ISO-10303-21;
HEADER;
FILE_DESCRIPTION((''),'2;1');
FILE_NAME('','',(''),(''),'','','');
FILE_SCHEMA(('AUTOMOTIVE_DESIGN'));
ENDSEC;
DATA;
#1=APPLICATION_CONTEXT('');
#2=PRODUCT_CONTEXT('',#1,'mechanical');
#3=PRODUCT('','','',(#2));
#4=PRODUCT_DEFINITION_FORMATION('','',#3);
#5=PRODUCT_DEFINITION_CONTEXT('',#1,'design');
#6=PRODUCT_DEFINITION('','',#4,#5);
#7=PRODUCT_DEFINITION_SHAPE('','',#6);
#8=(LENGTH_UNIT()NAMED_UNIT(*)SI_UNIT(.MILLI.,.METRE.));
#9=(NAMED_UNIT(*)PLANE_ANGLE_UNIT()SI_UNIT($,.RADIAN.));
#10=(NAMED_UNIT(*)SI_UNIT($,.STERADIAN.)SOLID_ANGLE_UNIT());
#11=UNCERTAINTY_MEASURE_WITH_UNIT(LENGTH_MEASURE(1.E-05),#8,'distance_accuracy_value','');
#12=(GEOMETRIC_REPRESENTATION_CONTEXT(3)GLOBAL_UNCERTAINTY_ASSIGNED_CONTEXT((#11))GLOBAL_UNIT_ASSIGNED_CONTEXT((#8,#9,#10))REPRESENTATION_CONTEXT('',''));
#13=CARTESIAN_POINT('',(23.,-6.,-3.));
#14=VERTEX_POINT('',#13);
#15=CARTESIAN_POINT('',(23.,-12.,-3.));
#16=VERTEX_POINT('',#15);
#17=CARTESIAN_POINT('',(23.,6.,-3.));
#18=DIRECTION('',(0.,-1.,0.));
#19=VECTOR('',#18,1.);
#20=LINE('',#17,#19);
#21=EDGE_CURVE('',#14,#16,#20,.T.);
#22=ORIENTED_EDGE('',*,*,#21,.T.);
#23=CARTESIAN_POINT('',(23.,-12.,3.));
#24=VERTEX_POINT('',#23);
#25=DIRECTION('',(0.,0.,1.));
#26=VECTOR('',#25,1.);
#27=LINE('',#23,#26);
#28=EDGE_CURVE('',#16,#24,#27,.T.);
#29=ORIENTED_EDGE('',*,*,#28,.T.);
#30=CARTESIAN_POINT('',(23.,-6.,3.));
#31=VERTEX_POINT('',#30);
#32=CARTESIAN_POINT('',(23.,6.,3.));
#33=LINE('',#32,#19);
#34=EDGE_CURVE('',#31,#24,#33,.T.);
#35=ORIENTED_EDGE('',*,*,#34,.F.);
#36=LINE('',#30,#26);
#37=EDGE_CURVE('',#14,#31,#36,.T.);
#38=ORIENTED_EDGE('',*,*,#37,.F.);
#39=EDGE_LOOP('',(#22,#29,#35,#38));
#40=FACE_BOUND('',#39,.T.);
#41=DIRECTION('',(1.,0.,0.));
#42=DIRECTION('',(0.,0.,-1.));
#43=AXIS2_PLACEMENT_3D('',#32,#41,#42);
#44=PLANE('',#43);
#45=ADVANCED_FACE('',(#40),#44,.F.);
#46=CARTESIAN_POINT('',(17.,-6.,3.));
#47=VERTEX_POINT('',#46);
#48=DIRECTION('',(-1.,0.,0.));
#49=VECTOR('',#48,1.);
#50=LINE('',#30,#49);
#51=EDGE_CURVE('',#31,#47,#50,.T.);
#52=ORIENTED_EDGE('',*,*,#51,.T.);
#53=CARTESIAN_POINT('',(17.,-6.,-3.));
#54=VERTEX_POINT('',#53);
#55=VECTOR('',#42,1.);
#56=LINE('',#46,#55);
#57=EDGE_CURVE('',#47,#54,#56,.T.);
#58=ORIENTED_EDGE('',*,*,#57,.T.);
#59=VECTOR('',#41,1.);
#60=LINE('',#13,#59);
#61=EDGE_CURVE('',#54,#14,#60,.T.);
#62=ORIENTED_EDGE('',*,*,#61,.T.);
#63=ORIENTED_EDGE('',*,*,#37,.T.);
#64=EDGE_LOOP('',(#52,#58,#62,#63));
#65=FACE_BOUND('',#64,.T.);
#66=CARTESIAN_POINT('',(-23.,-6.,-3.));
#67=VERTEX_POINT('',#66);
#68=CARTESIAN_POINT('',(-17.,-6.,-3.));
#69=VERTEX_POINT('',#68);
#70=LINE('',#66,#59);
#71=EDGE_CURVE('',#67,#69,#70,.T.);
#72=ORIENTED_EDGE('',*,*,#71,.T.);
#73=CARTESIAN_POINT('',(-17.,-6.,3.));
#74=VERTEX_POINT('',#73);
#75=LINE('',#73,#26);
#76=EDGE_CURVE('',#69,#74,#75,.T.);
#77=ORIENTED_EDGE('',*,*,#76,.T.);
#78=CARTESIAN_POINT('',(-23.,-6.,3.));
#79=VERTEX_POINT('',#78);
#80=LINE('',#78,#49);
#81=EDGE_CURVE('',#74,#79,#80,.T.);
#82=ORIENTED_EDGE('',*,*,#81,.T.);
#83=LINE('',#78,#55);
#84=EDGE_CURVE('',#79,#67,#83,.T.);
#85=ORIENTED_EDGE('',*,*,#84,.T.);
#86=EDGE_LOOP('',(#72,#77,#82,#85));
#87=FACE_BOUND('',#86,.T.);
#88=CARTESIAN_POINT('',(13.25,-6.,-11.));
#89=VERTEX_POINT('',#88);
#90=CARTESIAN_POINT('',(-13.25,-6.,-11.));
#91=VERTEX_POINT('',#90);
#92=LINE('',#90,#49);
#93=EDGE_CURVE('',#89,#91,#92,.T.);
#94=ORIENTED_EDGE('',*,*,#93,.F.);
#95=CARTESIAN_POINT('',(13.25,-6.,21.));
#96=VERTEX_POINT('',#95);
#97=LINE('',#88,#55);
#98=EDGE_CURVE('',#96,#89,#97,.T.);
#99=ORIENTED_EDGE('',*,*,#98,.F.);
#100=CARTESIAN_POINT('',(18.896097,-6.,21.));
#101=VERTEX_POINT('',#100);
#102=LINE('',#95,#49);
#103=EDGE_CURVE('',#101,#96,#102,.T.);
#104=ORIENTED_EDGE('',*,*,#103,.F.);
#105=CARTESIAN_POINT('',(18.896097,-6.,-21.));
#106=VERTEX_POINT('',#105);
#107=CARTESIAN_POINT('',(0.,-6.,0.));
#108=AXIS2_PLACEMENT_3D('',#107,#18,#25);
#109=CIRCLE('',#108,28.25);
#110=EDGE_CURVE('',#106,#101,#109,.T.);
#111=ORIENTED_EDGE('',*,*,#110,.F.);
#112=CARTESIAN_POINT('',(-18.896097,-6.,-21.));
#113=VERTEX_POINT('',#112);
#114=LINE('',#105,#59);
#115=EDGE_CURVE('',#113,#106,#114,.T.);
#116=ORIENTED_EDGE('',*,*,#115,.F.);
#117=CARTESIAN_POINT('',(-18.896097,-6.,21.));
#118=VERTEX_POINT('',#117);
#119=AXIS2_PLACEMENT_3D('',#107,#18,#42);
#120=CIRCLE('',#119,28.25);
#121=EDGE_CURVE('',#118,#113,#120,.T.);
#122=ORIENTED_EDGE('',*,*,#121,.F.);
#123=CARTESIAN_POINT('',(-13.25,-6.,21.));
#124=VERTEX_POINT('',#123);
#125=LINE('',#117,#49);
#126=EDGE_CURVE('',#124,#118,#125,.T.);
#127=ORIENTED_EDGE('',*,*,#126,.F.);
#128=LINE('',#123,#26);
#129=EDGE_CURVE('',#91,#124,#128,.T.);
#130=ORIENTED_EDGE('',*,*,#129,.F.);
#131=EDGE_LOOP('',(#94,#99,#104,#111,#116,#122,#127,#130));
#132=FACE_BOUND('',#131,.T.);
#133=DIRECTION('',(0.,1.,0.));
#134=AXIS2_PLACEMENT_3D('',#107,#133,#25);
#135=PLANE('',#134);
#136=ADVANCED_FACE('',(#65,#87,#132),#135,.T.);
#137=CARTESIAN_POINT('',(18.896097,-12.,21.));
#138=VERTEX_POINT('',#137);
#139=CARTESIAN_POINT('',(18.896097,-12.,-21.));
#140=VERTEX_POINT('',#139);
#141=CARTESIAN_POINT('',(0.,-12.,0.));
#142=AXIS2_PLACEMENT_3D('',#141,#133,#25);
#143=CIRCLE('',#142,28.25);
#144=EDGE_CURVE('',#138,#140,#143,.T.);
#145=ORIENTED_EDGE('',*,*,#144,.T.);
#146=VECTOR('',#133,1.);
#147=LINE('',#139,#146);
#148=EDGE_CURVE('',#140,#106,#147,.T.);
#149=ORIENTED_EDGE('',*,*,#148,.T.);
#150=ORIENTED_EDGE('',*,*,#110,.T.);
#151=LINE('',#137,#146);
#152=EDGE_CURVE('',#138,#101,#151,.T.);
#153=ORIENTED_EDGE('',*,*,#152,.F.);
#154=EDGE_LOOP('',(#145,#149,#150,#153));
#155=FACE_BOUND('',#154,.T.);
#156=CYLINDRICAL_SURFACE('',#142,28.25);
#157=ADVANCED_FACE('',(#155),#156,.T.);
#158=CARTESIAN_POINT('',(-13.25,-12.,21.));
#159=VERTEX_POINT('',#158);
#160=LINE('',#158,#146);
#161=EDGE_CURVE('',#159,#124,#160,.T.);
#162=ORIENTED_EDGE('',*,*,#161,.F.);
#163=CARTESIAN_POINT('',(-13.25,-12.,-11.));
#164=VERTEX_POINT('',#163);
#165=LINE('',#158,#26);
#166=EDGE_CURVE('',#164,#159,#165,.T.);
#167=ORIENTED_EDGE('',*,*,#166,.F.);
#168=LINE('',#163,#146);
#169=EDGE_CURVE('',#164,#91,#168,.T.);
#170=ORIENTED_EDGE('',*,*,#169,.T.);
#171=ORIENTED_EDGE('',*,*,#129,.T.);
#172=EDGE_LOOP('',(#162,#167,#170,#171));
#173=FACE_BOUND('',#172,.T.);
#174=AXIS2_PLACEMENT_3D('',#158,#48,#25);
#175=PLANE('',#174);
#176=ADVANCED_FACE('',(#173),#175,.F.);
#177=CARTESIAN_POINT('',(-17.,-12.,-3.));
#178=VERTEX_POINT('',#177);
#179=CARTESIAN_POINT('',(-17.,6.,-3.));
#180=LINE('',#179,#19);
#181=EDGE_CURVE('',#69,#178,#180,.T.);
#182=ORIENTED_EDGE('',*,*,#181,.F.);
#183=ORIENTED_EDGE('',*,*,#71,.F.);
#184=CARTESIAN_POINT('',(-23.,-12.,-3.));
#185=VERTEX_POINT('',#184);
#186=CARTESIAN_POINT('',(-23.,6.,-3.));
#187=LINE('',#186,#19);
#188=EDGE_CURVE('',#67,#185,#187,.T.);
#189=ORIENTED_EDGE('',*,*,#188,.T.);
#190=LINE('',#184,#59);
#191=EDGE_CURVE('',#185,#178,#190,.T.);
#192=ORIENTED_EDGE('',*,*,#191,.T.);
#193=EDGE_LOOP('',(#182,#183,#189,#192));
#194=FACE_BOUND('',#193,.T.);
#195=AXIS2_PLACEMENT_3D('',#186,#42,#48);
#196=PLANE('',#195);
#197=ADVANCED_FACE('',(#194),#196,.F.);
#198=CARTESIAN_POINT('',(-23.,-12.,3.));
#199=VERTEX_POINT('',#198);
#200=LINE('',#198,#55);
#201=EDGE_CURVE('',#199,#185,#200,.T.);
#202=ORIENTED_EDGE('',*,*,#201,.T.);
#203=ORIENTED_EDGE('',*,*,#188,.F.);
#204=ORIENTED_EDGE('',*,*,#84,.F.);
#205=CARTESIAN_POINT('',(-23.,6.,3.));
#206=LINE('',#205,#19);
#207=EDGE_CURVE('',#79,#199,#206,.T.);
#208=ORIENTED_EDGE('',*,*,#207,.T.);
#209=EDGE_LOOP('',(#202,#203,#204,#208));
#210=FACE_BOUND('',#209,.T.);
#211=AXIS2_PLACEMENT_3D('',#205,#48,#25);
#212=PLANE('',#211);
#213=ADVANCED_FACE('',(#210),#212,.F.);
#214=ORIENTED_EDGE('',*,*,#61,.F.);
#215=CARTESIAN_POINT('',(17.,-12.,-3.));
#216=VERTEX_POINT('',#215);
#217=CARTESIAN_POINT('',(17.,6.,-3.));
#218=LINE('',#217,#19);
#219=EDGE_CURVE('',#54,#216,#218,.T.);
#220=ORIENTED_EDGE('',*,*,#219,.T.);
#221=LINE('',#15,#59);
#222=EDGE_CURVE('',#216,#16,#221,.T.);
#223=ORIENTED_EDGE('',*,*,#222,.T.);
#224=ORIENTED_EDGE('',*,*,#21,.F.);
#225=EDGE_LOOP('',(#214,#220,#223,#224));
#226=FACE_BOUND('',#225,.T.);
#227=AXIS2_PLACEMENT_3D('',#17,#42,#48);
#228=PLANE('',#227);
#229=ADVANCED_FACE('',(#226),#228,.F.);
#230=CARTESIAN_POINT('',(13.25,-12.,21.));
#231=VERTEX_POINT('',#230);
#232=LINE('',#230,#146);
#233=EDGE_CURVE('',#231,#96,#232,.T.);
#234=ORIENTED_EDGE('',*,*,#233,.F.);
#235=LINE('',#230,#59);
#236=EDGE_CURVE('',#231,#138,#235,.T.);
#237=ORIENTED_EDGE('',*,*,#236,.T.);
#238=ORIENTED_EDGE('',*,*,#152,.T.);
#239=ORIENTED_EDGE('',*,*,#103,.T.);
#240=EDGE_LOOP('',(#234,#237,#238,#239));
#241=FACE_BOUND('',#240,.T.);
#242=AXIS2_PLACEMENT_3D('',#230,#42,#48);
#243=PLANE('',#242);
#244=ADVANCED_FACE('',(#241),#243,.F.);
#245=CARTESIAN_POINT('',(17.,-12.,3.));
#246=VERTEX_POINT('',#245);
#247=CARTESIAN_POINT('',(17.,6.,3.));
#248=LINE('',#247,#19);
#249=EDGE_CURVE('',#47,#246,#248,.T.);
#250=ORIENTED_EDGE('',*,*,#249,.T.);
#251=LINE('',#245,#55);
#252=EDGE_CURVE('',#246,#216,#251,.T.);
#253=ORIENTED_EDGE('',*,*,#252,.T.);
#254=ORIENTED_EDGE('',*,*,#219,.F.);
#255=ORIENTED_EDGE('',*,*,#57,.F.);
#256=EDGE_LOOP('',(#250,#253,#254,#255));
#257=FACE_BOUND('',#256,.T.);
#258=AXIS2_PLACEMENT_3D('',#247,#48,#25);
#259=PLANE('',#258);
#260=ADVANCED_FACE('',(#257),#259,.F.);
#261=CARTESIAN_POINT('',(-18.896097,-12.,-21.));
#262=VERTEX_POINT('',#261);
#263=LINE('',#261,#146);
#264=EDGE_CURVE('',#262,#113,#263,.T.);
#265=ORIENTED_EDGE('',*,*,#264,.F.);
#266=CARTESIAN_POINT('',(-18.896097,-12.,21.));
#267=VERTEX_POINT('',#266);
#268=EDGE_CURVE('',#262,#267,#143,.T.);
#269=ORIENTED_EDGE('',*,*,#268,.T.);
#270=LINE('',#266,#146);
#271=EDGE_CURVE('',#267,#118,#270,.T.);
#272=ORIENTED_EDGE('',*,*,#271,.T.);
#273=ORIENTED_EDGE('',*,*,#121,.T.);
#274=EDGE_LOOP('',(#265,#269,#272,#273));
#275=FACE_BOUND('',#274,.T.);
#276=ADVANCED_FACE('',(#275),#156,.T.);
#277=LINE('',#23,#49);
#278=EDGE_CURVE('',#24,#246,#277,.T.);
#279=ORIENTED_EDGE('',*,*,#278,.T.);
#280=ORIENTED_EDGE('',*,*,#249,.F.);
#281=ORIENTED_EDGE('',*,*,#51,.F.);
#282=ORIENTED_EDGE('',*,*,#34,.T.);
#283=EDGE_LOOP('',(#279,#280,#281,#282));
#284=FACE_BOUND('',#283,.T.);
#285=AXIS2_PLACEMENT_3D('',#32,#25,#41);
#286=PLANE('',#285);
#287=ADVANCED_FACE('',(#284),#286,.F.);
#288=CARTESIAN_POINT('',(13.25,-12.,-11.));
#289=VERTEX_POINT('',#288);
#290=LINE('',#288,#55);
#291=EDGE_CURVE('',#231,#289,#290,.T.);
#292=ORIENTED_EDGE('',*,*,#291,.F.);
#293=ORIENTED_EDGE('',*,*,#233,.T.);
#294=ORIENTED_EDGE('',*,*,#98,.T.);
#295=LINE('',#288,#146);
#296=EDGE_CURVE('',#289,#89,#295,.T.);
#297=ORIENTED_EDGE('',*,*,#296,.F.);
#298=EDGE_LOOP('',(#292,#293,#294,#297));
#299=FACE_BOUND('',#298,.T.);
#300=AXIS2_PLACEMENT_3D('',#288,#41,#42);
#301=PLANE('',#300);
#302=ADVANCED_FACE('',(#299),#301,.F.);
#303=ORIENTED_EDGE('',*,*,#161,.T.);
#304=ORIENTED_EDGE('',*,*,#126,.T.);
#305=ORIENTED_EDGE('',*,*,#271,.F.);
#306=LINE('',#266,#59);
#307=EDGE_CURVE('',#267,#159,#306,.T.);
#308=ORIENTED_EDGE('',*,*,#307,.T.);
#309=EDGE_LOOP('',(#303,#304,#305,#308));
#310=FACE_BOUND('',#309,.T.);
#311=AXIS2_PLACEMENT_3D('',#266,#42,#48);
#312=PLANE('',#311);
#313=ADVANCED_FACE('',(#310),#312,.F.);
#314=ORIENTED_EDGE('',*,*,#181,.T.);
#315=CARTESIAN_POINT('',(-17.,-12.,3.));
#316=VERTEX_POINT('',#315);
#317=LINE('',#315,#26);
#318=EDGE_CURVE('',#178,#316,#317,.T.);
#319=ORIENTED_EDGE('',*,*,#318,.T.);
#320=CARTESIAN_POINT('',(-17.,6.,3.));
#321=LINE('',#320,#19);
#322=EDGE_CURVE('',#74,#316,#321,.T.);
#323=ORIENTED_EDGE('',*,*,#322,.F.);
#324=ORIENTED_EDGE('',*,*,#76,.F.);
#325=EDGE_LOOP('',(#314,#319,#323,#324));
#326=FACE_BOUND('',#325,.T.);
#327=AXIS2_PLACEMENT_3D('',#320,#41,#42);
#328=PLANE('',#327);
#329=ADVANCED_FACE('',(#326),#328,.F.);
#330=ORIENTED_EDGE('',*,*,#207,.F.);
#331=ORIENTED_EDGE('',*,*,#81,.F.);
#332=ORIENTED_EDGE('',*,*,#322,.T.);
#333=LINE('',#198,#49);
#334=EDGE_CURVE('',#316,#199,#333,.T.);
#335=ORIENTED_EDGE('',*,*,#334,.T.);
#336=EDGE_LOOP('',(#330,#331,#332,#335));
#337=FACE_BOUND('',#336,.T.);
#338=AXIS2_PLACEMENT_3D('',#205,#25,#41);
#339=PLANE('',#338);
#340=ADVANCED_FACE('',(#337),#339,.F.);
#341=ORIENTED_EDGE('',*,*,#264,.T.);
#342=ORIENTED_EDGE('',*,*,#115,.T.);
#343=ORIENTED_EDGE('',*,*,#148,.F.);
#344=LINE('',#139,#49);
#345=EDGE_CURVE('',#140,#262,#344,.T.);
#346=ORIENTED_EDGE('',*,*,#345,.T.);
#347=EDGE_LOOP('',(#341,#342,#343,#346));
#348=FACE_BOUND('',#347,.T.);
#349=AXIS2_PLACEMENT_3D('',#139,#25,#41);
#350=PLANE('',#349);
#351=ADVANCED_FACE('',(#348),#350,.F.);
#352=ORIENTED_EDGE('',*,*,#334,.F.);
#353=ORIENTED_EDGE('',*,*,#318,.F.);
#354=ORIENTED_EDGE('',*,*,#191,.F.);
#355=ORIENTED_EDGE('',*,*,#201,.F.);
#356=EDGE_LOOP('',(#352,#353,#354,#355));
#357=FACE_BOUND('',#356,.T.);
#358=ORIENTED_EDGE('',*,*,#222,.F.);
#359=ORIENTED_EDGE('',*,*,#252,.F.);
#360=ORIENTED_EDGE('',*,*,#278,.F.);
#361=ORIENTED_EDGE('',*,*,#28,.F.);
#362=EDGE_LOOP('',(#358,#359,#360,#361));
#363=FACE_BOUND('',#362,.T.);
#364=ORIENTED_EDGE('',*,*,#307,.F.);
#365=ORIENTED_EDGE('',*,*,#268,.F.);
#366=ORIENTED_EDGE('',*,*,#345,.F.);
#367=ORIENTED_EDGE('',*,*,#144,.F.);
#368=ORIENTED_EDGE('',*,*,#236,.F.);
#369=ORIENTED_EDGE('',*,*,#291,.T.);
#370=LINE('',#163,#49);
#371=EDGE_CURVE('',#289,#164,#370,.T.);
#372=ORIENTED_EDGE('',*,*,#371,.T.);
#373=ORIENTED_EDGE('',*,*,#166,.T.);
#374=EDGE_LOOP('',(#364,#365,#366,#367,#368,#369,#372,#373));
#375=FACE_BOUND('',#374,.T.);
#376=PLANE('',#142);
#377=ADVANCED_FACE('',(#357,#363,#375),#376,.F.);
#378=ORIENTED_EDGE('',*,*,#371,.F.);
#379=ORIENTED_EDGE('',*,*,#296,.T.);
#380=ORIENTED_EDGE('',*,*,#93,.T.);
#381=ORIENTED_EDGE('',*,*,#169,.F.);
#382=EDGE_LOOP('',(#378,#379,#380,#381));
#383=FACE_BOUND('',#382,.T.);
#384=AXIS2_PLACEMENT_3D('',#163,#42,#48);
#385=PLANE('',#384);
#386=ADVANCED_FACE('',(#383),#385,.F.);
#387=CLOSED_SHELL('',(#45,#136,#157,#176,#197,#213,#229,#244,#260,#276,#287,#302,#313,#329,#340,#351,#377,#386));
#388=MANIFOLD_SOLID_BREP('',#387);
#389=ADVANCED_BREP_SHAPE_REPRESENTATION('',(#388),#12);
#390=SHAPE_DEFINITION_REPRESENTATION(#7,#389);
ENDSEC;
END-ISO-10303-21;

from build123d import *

# Parameters (mm, degrees)
SALIENTE_EXTRUIR1_DEPTH = 6
CROQUIS7_R              = 40
SALIENTE_EXTRUIR5_DEPTH = 6
SALIENTE_EXTRUIR3_DEPTH = 6
CROQUIS6_R              = 1.75
SALIENTE_EXTRUIR4_DEPTH = 6
CROQUIS8_W              = 6
CROQUIS8_H              = 6
CORTAR_EXTRUIR1_DEPTH   = 25
CROQUIS9_W              = 322
CROQUIS9_H              = 247
CORTAR_EXTRUIR2_DEPTH   = 12
CROQUIS10_R             = 28.25
CORTAR_EXTRUIR3_DEPTH   = 6


with BuildPart() as part:
    # Croquis1 → Saliente-Extruir1 (new body)
    with BuildSketch(Plane(origin=(0, 0, 0), x_dir=(1, 0, 0), z_dir=(0, 1, 0))):
        with BuildLine():
            Line((-161, 103.5), (-38.791887254, 9.756509788))
            ThreePointArc((-38.791887254, 9.756509788), (-40, 0), (-38.791887254, -9.756509788))
            Line((-38.791887254, -9.756509788), (-161, -103.5))
            Line((-161, -103.5), (-161, -123.5))
            Line((-161, -123.5), (-141, -123.5))
            Line((-141, -123.5), (-22.823766962, -32.84928708))
            ThreePointArc((-22.823766962, -32.84928708), (0, -40), (22.823766962, -32.84928708))
            Line((22.823766962, -32.84928708), (141, -123.5))
            Line((141, -123.5), (161, -123.5))
            Line((161, -123.5), (161, -103.5))
            Line((161, -103.5), (38.791887254, -9.756509788))
            ThreePointArc((38.791887254, -9.756509788), (40, 0), (38.791887254, 9.756509788))
            Line((38.791887254, 9.756509788), (161, 103.5))
            Line((161, 103.5), (161, 123.5))
            Line((161, 123.5), (141, 123.5))
            Line((141, 123.5), (22.823766962, 32.84928708))
            ThreePointArc((22.823766962, 32.84928708), (0, 40), (-22.823766962, 32.84928708))
            Line((-22.823766962, 32.84928708), (-141, 123.5))
            Line((-141, 123.5), (-161, 123.5))
            Line((-161, 123.5), (-161, 103.5))
        make_face()
    extrude(amount=SALIENTE_EXTRUIR1_DEPTH)

    # Croquis7 → Saliente-Extruir5 (add)
    with BuildSketch(Plane(origin=(0, 0, 0), x_dir=(-1, 0, 0), z_dir=(0, -1, 0))):
        Circle(CROQUIS7_R)
    extrude(amount=SALIENTE_EXTRUIR5_DEPTH)

    # Croquis5 → Saliente-Extruir3 (add)
    with BuildSketch(Plane.XZ.offset(6)):
        with BuildLine():
            Line((18.896097481, -21), (-18.896097481, -21))
            ThreePointArc((-18.896097481, -21), (-28.25, 0), (-18.896097481, 21))
            Line((-18.896097481, 21), (-13.25, 21))
            Line((-13.25, 21), (-13.25, -11))
            Line((-13.25, -11), (13.25, -11))
            Line((13.25, -11), (13.25, 21))
            Line((13.25, 21), (18.896097481, 21))
            ThreePointArc((18.896097481, 21), (28.25, 0), (18.896097481, -21))
        make_face()
    extrude(amount=SALIENTE_EXTRUIR3_DEPTH)

    # Croquis6 → Saliente-Extruir4 (add)
    with BuildSketch(Plane.XZ.offset(12)):
        with BuildLine():
            Line((-18.896097481, 21), (-13.25, 21))
            Line((-13.25, 21), (-13.25, 3.5))
            ThreePointArc((-13.25, 3.5), (-13.103553391, 3.146446609), (-12.75, 3))
            Line((-12.75, 3), (12.75, 3))
            ThreePointArc((12.75, 3), (13.103553391, 3.146446609), (13.25, 3.5))
            Line((13.25, 3.5), (13.25, 21))
            Line((13.25, 21), (18.896097481, 21))
            ThreePointArc((18.896097481, 21), (28.25, 0), (18.896097481, -21))
            Line((18.896097481, -21), (-18.896097481, -21))
            ThreePointArc((-18.896097481, -21), (-28.25, 0), (-18.896097481, 21))
        make_face()
        with Locations((-8, -5.75)):
            Circle(CROQUIS6_R, mode=Mode.SUBTRACT)
        with Locations((8, -5.75)):
            Circle(CROQUIS6_R, mode=Mode.SUBTRACT)
    extrude(amount=SALIENTE_EXTRUIR4_DEPTH)

    # Croquis8 → Cortar-Extruir1 (cut, through all)
    with BuildSketch(Plane.XZ.offset(18)):
        with Locations((-20, 0)):
            Rectangle(CROQUIS8_W, CROQUIS8_H)
        with Locations((20, 0)):
            Rectangle(CROQUIS8_W, CROQUIS8_H)
    extrude(amount=-CORTAR_EXTRUIR1_DEPTH, mode=Mode.SUBTRACT)

    # Croquis9 → Cortar-Extruir2 (cut)
    with BuildSketch(Plane(origin=(0, 6, 0), x_dir=(1, 0, 0), z_dir=(0, 1, 0))):
        Rectangle(CROQUIS9_W, CROQUIS9_H)
    extrude(amount=-CORTAR_EXTRUIR2_DEPTH, mode=Mode.SUBTRACT)

    # Croquis10 → Cortar-Extruir3 (cut)
    with BuildSketch(Plane(origin=(0, -18, 0), x_dir=(1, 0, 0), z_dir=(0, 1, 0))):
        Circle(CROQUIS10_R)
    extrude(amount=CORTAR_EXTRUIR3_DEPTH, mode=Mode.SUBTRACT)


solid = part.part
